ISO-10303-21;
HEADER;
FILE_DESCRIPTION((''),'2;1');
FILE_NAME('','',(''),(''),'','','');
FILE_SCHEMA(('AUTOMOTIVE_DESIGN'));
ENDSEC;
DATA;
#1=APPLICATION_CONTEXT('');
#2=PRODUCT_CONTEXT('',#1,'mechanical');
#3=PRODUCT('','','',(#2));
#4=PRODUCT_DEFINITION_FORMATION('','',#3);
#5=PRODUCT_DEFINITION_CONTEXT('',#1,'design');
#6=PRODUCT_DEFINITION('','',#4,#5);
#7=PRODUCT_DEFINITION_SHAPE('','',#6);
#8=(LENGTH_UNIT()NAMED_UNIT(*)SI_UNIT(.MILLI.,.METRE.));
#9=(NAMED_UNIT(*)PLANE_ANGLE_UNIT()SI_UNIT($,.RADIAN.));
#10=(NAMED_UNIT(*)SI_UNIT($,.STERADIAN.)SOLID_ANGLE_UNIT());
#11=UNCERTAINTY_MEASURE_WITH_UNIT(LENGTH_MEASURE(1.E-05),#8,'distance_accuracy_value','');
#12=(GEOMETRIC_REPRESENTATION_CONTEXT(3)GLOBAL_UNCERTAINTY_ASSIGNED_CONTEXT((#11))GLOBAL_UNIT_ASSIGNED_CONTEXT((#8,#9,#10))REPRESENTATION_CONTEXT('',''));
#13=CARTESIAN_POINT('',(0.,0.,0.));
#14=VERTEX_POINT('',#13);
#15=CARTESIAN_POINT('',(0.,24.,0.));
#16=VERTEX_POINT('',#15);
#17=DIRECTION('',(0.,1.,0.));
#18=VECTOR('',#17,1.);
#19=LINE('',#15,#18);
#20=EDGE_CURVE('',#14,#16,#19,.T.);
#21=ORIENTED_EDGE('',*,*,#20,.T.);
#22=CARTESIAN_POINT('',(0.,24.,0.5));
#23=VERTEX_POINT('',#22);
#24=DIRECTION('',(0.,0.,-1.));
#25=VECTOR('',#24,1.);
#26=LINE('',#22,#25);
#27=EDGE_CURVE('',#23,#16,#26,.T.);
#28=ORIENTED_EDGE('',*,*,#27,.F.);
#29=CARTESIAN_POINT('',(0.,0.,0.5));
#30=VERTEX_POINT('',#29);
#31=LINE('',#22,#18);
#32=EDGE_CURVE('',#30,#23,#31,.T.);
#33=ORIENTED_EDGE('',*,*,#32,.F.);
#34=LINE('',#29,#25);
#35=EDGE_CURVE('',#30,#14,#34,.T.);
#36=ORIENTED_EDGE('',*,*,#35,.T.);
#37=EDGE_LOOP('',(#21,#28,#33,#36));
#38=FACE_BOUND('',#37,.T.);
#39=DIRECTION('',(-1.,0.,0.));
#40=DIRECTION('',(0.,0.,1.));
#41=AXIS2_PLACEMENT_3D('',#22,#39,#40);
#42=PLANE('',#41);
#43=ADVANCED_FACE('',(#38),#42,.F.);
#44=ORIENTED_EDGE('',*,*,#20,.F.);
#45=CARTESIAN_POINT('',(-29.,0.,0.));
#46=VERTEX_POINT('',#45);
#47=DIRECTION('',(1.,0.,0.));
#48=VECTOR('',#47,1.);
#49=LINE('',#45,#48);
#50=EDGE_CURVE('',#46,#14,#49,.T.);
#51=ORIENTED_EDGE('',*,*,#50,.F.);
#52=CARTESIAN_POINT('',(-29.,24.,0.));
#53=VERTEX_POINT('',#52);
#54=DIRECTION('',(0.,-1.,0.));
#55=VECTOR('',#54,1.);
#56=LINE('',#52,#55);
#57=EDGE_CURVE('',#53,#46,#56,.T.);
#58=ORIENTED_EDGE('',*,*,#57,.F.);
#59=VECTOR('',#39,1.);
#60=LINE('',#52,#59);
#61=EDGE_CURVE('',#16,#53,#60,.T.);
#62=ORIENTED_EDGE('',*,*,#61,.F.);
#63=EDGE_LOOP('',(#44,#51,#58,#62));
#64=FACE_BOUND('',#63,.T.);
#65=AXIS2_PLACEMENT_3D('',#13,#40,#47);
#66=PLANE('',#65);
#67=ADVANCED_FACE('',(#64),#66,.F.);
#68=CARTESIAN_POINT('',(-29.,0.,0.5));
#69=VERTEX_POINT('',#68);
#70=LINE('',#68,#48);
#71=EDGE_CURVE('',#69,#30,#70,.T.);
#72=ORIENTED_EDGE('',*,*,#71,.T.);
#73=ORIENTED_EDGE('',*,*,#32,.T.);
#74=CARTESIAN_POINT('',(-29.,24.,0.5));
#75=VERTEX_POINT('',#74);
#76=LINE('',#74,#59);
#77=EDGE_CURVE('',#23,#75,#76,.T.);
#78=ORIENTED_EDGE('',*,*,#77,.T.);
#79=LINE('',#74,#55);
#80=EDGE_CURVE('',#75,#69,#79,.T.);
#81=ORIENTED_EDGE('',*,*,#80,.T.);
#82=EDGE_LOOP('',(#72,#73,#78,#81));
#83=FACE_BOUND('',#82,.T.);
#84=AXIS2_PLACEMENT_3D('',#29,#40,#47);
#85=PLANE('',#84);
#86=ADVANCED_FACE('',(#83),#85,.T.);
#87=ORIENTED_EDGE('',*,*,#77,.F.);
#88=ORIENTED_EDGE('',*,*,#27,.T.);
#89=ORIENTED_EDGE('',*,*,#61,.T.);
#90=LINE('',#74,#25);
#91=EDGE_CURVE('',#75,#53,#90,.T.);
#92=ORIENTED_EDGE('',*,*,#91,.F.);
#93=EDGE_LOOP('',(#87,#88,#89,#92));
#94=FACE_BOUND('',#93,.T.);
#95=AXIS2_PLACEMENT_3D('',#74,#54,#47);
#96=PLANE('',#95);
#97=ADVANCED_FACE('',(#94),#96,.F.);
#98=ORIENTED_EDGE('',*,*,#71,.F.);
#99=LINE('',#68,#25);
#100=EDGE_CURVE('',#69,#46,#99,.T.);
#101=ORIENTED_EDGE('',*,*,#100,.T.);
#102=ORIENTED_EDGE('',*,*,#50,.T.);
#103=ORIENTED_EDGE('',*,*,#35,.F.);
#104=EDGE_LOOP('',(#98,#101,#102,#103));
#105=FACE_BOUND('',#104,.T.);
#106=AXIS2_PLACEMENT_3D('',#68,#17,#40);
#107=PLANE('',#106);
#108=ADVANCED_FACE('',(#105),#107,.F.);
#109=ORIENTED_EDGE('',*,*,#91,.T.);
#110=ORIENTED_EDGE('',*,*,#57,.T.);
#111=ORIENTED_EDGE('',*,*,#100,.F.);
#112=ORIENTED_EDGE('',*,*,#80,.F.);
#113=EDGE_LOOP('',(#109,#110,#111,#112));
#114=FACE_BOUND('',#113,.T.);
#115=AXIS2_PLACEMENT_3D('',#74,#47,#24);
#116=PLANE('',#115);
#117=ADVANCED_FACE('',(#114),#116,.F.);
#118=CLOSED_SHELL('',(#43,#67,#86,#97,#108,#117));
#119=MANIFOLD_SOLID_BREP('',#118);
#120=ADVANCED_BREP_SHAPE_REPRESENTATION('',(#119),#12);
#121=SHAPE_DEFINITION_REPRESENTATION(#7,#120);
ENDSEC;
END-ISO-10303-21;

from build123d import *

# Parameters (mm, degrees)
SKETCH_1_W      = 29
SKETCH_1_H      = 24
EXTRUDE_1_DEPTH = 0.5


with BuildPart() as part:
    # 草图1 → 凸台-拉伸1 (new body)
    with BuildSketch(Plane.XY):
        with Locations((-14.5, 12)):
            Rectangle(SKETCH_1_W, SKETCH_1_H)
    extrude(amount=EXTRUDE_1_DEPTH)


solid = part.part
